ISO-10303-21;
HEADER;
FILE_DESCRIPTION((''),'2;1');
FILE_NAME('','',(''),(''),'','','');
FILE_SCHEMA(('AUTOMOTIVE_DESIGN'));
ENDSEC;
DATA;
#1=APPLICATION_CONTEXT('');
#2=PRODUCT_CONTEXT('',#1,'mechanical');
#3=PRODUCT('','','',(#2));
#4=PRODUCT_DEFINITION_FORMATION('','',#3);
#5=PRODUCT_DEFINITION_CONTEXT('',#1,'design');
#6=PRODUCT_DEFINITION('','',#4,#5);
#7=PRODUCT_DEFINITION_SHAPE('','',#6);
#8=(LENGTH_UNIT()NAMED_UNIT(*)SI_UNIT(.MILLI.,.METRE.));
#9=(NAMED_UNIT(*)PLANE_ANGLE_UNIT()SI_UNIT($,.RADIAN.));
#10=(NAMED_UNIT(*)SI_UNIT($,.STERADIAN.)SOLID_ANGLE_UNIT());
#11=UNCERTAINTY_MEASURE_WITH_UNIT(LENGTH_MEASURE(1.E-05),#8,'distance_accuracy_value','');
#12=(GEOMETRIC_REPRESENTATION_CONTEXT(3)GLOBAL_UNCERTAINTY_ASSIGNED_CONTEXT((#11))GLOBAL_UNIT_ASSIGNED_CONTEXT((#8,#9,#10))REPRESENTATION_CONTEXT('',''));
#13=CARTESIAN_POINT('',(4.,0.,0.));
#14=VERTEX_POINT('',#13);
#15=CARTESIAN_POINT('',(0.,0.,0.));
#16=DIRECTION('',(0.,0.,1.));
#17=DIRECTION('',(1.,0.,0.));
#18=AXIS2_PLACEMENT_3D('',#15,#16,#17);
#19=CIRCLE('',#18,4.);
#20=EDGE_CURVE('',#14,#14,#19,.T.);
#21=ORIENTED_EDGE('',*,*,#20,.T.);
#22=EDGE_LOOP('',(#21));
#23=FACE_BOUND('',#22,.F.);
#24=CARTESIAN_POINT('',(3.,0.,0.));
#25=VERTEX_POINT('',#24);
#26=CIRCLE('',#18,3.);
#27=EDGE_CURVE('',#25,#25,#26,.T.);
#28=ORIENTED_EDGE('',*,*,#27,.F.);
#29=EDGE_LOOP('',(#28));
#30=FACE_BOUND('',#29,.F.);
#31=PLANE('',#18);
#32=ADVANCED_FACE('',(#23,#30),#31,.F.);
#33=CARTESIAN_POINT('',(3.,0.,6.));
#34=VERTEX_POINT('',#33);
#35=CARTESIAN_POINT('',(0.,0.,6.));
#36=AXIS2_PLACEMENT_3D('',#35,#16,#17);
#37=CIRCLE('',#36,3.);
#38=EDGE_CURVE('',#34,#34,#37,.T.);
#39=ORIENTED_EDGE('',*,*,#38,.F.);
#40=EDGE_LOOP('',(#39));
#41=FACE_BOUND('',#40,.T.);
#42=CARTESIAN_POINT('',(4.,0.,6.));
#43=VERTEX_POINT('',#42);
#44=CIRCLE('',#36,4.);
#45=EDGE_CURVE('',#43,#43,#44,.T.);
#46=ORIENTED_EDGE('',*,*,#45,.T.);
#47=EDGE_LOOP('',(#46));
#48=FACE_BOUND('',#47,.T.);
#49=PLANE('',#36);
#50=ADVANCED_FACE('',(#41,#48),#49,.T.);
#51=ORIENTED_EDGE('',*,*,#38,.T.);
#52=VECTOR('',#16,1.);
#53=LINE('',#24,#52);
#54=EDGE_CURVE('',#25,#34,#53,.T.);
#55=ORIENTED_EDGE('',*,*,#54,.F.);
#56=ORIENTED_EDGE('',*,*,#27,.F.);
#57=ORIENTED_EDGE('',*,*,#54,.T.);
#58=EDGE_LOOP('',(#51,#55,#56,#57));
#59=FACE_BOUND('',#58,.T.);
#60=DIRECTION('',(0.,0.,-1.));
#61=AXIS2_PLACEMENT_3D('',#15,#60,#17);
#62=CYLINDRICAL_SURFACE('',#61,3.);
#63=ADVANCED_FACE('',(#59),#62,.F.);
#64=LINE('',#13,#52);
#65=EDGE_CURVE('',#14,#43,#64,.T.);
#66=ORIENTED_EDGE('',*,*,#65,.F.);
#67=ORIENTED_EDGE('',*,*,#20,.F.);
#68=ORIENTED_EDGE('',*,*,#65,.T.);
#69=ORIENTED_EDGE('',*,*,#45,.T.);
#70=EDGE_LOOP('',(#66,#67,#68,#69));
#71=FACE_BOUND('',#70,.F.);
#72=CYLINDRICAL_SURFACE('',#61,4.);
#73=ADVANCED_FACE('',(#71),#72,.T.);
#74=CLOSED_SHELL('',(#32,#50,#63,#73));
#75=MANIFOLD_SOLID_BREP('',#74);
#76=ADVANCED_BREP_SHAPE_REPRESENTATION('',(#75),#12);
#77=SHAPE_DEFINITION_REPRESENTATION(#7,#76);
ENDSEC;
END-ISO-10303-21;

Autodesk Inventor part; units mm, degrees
ref_plane "YZ Plane" through (0, 0, 0) normal (1, 0, 0) x (0, 1, 0)
ref_plane "XZ Plane" through (0, 0, 0) normal (0, 1, 0) x (-1, 0, 0)
ref_plane "XY Plane" through (0, 0, 0) normal (0, 0, 1) x (1, 0, 0)
sketch "スケッチ1" plane through (0, 0, 0) normal (0, 0, 1) x (1, 0, 0)
  circle A0 centre (0, 0) radius 4
  circle A1 centre (0, 0) radius 3
  dimension "d0" = 8
  dimension "d1" = 6
extrude "押し出し1" add sketch "スケッチ1" along normal blind 6
properties part number "オイレス060806" material "アセタール樹脂、黒"
